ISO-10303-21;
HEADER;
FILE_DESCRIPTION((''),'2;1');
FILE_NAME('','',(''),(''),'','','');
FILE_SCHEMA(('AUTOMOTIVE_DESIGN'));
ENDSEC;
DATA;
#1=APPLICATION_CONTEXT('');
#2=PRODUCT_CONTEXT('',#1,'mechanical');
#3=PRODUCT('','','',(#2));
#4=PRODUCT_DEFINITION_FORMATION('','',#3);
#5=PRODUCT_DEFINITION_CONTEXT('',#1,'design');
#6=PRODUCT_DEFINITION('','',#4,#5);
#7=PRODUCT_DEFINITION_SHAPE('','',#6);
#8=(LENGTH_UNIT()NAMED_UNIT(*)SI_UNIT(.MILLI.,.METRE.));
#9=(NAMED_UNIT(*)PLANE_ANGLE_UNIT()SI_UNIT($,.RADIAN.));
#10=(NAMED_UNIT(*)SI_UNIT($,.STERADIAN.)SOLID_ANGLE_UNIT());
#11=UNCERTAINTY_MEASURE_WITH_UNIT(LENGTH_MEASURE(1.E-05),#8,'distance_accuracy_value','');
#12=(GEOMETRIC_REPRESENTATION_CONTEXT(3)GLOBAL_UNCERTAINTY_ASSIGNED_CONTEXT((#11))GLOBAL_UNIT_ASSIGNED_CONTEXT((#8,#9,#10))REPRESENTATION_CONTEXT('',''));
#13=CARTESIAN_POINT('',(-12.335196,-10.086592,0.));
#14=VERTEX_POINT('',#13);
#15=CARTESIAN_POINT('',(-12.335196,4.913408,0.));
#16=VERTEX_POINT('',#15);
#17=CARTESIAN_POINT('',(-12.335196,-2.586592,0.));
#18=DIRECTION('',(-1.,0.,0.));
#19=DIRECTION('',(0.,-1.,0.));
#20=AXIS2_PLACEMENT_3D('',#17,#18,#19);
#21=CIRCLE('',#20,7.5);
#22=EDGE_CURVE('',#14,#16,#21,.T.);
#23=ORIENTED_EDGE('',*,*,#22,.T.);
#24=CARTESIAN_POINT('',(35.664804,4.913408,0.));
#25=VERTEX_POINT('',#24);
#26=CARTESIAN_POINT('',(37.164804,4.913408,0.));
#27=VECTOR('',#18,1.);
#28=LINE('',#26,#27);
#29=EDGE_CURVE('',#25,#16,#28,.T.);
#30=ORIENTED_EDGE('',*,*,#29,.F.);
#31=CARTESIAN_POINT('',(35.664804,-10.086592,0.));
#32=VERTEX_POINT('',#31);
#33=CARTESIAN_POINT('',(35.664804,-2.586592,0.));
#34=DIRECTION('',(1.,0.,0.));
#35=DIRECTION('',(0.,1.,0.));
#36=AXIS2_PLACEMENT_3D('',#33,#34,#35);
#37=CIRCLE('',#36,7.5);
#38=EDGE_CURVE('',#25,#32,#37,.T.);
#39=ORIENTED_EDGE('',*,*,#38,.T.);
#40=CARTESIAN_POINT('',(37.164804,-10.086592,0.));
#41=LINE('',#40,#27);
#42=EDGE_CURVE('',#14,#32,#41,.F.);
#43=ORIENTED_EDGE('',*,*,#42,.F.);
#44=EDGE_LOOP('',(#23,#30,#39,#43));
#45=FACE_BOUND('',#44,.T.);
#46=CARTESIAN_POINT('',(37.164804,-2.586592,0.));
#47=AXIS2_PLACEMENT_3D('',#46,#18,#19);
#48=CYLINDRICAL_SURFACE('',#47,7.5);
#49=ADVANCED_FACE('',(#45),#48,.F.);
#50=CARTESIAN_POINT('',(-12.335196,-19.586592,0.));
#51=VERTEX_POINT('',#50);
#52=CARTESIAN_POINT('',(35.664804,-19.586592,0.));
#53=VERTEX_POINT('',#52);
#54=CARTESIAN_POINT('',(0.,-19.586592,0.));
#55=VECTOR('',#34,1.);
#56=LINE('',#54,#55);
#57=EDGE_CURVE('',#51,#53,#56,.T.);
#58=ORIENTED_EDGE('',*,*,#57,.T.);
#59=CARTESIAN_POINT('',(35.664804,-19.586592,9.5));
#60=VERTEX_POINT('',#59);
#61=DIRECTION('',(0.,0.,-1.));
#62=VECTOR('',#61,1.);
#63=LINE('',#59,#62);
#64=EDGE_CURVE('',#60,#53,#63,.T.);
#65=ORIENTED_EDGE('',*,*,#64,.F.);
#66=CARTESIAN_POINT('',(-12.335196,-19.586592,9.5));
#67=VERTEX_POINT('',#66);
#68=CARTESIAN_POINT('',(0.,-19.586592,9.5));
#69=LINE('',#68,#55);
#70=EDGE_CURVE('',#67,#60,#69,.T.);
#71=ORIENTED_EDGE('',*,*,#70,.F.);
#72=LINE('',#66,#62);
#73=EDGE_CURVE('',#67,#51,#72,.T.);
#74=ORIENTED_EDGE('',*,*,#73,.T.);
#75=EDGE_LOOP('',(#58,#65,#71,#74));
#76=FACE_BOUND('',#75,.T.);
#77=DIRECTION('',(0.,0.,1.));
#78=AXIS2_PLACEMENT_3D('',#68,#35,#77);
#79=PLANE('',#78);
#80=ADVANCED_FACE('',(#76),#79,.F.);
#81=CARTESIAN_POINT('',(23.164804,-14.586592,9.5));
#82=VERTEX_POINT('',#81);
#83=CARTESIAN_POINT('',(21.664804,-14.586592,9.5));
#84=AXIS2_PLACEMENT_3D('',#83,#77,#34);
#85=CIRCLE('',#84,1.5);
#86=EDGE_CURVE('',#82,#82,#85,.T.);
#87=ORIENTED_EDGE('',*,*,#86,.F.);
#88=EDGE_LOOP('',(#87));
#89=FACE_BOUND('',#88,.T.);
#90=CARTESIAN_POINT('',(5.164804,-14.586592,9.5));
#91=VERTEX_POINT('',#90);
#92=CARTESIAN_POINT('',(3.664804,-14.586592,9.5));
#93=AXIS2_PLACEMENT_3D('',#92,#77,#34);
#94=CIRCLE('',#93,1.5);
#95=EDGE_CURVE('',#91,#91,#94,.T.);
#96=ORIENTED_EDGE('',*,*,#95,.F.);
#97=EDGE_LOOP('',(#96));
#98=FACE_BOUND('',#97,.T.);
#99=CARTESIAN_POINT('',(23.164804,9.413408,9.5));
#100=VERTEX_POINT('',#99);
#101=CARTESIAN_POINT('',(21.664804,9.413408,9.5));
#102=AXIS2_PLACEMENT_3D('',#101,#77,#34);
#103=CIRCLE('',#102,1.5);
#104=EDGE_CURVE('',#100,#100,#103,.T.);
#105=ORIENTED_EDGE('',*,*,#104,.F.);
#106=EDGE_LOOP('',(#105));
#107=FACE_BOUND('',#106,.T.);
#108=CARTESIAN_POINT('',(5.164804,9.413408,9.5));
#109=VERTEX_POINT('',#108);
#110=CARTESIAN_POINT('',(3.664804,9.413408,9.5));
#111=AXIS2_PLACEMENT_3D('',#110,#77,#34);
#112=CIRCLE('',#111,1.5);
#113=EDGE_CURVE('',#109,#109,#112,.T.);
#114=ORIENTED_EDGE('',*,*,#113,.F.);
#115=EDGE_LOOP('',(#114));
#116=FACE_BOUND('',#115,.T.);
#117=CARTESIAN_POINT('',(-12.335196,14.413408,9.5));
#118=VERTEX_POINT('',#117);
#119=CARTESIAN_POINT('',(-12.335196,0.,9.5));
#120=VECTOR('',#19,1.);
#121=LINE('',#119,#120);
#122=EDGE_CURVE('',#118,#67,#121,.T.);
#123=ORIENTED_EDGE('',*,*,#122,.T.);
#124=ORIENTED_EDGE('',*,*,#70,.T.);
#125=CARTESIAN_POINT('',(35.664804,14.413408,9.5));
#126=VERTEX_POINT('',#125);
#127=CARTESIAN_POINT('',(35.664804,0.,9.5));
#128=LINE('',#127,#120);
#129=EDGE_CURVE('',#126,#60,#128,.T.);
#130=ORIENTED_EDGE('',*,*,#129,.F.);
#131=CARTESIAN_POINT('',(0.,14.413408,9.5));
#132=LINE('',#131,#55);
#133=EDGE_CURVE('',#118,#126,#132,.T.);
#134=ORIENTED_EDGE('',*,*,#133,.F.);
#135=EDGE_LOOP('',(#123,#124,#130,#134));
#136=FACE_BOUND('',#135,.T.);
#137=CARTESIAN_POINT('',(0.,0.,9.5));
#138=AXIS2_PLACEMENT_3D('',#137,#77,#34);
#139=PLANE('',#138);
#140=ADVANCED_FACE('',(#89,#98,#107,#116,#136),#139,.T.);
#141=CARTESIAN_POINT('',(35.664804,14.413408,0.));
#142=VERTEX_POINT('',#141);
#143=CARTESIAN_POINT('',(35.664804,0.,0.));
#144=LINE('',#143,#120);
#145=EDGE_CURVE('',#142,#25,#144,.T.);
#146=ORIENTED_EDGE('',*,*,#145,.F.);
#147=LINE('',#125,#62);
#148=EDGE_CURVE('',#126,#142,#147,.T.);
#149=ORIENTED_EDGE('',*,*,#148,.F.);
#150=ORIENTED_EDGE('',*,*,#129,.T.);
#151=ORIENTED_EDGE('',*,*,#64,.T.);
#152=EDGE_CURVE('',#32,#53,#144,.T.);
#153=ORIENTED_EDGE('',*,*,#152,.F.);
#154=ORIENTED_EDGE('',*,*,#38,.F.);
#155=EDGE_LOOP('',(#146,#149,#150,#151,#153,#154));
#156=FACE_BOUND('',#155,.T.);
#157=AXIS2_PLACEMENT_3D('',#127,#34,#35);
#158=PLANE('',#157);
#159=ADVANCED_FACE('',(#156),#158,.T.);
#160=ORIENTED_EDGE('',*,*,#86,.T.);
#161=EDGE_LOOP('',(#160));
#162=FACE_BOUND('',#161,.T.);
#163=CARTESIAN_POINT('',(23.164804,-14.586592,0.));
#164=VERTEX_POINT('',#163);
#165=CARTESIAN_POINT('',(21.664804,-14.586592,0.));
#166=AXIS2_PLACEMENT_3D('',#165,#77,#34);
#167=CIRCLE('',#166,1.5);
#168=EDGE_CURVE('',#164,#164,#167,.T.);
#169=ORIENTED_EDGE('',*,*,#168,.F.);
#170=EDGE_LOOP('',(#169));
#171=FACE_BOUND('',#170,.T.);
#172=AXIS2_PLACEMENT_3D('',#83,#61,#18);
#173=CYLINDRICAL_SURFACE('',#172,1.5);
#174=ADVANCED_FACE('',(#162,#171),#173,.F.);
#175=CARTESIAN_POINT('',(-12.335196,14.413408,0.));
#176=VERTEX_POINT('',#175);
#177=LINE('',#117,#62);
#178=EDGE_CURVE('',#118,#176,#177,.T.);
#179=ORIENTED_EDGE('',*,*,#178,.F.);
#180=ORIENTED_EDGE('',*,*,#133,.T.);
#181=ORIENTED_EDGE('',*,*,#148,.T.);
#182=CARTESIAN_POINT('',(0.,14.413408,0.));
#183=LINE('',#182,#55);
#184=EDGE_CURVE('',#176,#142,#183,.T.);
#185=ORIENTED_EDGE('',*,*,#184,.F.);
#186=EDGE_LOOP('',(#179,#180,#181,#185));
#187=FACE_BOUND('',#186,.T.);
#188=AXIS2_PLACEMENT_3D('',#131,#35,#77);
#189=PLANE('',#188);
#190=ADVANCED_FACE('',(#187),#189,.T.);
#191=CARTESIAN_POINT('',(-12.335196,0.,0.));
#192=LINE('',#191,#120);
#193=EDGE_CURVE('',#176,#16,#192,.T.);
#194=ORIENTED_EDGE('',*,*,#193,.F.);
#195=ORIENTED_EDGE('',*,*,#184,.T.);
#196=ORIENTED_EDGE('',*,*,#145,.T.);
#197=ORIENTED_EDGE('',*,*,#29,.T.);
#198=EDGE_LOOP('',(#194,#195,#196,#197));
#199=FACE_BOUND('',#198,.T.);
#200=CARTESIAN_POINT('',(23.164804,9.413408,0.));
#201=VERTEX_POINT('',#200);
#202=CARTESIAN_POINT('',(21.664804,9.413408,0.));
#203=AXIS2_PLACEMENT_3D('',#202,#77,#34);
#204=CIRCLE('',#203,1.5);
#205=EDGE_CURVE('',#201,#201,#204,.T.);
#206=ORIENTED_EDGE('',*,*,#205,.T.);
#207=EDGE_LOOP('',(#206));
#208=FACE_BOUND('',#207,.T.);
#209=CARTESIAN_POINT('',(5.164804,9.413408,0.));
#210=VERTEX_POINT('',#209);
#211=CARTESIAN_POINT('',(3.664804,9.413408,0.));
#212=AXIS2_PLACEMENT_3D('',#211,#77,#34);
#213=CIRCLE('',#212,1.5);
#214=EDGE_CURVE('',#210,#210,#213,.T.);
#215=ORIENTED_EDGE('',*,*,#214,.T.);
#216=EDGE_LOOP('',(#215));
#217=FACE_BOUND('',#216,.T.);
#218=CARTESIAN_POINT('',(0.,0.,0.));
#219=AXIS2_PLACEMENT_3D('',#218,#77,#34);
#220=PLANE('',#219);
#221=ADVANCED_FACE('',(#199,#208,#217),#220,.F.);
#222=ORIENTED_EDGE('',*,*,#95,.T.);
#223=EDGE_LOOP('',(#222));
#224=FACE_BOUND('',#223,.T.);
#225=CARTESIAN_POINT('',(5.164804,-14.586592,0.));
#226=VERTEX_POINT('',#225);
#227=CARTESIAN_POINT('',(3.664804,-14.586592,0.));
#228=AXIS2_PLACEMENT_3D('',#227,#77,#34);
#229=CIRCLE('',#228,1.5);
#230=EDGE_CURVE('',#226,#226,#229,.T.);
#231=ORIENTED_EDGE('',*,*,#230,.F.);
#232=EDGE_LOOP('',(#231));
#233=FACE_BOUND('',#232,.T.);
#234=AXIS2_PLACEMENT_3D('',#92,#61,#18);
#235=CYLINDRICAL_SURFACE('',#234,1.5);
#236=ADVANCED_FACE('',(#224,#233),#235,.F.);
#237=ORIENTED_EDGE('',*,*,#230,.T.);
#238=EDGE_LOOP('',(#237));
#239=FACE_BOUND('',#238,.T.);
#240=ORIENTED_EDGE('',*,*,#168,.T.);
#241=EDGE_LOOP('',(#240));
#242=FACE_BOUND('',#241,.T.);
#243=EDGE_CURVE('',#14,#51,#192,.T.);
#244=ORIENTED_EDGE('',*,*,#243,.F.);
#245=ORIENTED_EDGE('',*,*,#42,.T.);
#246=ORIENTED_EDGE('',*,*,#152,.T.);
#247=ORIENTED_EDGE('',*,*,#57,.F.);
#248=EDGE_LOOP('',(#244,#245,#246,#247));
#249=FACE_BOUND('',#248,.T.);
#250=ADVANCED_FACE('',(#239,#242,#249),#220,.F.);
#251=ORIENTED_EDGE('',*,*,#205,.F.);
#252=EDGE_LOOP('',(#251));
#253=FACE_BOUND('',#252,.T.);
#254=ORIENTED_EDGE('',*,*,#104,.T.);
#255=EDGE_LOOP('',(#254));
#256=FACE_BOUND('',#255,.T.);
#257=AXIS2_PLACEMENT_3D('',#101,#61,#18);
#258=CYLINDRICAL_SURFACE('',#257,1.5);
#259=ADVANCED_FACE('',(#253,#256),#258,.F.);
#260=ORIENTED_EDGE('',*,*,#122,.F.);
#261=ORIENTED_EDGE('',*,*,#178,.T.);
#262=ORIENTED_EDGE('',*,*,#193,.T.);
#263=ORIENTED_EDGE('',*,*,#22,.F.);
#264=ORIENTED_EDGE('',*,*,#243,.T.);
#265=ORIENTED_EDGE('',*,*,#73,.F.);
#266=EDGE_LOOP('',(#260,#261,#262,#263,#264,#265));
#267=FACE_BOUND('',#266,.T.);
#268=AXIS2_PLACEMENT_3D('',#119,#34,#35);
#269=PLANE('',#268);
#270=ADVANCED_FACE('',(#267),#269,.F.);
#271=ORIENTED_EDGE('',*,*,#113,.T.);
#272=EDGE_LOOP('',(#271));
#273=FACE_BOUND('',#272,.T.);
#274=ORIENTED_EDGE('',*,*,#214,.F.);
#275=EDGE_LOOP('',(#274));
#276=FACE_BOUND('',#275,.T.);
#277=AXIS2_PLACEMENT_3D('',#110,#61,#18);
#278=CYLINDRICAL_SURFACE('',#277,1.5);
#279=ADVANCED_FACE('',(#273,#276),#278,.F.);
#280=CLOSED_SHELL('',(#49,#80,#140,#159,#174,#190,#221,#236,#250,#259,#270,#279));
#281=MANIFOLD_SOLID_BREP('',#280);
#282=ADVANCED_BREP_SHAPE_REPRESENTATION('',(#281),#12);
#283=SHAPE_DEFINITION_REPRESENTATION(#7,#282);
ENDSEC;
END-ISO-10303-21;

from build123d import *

# Parameters (mm, degrees)
SKETCH_1_W          = 48
SKETCH_1_H          = 34
SKETCH_1_R          = 1.5
EXTRUDE_1_DEPTH     = 9.5
SKETCH_2_R          = 7.5
CUT_EXTRUDE_1_DEPTH = 49.5


with BuildPart() as part:
    # 草图1 → 凸台-拉伸1 (new body)
    with BuildSketch(Plane.XY):
        with Locations((11.664804469, -2.586592179)):
            Rectangle(SKETCH_1_W, SKETCH_1_H)
        with Locations((3.664804469, 9.413407821)):
            Circle(SKETCH_1_R, mode=Mode.SUBTRACT)
        with Locations((3.664804469, -14.586592179)):
            Circle(SKETCH_1_R, mode=Mode.SUBTRACT)
        with Locations((21.664804469, 9.413407821)):
            Circle(SKETCH_1_R, mode=Mode.SUBTRACT)
        with Locations((21.664804469, -14.586592179)):
            Circle(SKETCH_1_R, mode=Mode.SUBTRACT)
    extrude(amount=EXTRUDE_1_DEPTH)

    # 草图2 → 切除-拉伸1 (cut)
    with BuildSketch(Plane.ZY.offset(12.335195531)):
        with Locations((0, -2.586592179)):
            Circle(SKETCH_2_R)
    extrude(amount=-CUT_EXTRUDE_1_DEPTH, mode=Mode.SUBTRACT)


solid = part.part
